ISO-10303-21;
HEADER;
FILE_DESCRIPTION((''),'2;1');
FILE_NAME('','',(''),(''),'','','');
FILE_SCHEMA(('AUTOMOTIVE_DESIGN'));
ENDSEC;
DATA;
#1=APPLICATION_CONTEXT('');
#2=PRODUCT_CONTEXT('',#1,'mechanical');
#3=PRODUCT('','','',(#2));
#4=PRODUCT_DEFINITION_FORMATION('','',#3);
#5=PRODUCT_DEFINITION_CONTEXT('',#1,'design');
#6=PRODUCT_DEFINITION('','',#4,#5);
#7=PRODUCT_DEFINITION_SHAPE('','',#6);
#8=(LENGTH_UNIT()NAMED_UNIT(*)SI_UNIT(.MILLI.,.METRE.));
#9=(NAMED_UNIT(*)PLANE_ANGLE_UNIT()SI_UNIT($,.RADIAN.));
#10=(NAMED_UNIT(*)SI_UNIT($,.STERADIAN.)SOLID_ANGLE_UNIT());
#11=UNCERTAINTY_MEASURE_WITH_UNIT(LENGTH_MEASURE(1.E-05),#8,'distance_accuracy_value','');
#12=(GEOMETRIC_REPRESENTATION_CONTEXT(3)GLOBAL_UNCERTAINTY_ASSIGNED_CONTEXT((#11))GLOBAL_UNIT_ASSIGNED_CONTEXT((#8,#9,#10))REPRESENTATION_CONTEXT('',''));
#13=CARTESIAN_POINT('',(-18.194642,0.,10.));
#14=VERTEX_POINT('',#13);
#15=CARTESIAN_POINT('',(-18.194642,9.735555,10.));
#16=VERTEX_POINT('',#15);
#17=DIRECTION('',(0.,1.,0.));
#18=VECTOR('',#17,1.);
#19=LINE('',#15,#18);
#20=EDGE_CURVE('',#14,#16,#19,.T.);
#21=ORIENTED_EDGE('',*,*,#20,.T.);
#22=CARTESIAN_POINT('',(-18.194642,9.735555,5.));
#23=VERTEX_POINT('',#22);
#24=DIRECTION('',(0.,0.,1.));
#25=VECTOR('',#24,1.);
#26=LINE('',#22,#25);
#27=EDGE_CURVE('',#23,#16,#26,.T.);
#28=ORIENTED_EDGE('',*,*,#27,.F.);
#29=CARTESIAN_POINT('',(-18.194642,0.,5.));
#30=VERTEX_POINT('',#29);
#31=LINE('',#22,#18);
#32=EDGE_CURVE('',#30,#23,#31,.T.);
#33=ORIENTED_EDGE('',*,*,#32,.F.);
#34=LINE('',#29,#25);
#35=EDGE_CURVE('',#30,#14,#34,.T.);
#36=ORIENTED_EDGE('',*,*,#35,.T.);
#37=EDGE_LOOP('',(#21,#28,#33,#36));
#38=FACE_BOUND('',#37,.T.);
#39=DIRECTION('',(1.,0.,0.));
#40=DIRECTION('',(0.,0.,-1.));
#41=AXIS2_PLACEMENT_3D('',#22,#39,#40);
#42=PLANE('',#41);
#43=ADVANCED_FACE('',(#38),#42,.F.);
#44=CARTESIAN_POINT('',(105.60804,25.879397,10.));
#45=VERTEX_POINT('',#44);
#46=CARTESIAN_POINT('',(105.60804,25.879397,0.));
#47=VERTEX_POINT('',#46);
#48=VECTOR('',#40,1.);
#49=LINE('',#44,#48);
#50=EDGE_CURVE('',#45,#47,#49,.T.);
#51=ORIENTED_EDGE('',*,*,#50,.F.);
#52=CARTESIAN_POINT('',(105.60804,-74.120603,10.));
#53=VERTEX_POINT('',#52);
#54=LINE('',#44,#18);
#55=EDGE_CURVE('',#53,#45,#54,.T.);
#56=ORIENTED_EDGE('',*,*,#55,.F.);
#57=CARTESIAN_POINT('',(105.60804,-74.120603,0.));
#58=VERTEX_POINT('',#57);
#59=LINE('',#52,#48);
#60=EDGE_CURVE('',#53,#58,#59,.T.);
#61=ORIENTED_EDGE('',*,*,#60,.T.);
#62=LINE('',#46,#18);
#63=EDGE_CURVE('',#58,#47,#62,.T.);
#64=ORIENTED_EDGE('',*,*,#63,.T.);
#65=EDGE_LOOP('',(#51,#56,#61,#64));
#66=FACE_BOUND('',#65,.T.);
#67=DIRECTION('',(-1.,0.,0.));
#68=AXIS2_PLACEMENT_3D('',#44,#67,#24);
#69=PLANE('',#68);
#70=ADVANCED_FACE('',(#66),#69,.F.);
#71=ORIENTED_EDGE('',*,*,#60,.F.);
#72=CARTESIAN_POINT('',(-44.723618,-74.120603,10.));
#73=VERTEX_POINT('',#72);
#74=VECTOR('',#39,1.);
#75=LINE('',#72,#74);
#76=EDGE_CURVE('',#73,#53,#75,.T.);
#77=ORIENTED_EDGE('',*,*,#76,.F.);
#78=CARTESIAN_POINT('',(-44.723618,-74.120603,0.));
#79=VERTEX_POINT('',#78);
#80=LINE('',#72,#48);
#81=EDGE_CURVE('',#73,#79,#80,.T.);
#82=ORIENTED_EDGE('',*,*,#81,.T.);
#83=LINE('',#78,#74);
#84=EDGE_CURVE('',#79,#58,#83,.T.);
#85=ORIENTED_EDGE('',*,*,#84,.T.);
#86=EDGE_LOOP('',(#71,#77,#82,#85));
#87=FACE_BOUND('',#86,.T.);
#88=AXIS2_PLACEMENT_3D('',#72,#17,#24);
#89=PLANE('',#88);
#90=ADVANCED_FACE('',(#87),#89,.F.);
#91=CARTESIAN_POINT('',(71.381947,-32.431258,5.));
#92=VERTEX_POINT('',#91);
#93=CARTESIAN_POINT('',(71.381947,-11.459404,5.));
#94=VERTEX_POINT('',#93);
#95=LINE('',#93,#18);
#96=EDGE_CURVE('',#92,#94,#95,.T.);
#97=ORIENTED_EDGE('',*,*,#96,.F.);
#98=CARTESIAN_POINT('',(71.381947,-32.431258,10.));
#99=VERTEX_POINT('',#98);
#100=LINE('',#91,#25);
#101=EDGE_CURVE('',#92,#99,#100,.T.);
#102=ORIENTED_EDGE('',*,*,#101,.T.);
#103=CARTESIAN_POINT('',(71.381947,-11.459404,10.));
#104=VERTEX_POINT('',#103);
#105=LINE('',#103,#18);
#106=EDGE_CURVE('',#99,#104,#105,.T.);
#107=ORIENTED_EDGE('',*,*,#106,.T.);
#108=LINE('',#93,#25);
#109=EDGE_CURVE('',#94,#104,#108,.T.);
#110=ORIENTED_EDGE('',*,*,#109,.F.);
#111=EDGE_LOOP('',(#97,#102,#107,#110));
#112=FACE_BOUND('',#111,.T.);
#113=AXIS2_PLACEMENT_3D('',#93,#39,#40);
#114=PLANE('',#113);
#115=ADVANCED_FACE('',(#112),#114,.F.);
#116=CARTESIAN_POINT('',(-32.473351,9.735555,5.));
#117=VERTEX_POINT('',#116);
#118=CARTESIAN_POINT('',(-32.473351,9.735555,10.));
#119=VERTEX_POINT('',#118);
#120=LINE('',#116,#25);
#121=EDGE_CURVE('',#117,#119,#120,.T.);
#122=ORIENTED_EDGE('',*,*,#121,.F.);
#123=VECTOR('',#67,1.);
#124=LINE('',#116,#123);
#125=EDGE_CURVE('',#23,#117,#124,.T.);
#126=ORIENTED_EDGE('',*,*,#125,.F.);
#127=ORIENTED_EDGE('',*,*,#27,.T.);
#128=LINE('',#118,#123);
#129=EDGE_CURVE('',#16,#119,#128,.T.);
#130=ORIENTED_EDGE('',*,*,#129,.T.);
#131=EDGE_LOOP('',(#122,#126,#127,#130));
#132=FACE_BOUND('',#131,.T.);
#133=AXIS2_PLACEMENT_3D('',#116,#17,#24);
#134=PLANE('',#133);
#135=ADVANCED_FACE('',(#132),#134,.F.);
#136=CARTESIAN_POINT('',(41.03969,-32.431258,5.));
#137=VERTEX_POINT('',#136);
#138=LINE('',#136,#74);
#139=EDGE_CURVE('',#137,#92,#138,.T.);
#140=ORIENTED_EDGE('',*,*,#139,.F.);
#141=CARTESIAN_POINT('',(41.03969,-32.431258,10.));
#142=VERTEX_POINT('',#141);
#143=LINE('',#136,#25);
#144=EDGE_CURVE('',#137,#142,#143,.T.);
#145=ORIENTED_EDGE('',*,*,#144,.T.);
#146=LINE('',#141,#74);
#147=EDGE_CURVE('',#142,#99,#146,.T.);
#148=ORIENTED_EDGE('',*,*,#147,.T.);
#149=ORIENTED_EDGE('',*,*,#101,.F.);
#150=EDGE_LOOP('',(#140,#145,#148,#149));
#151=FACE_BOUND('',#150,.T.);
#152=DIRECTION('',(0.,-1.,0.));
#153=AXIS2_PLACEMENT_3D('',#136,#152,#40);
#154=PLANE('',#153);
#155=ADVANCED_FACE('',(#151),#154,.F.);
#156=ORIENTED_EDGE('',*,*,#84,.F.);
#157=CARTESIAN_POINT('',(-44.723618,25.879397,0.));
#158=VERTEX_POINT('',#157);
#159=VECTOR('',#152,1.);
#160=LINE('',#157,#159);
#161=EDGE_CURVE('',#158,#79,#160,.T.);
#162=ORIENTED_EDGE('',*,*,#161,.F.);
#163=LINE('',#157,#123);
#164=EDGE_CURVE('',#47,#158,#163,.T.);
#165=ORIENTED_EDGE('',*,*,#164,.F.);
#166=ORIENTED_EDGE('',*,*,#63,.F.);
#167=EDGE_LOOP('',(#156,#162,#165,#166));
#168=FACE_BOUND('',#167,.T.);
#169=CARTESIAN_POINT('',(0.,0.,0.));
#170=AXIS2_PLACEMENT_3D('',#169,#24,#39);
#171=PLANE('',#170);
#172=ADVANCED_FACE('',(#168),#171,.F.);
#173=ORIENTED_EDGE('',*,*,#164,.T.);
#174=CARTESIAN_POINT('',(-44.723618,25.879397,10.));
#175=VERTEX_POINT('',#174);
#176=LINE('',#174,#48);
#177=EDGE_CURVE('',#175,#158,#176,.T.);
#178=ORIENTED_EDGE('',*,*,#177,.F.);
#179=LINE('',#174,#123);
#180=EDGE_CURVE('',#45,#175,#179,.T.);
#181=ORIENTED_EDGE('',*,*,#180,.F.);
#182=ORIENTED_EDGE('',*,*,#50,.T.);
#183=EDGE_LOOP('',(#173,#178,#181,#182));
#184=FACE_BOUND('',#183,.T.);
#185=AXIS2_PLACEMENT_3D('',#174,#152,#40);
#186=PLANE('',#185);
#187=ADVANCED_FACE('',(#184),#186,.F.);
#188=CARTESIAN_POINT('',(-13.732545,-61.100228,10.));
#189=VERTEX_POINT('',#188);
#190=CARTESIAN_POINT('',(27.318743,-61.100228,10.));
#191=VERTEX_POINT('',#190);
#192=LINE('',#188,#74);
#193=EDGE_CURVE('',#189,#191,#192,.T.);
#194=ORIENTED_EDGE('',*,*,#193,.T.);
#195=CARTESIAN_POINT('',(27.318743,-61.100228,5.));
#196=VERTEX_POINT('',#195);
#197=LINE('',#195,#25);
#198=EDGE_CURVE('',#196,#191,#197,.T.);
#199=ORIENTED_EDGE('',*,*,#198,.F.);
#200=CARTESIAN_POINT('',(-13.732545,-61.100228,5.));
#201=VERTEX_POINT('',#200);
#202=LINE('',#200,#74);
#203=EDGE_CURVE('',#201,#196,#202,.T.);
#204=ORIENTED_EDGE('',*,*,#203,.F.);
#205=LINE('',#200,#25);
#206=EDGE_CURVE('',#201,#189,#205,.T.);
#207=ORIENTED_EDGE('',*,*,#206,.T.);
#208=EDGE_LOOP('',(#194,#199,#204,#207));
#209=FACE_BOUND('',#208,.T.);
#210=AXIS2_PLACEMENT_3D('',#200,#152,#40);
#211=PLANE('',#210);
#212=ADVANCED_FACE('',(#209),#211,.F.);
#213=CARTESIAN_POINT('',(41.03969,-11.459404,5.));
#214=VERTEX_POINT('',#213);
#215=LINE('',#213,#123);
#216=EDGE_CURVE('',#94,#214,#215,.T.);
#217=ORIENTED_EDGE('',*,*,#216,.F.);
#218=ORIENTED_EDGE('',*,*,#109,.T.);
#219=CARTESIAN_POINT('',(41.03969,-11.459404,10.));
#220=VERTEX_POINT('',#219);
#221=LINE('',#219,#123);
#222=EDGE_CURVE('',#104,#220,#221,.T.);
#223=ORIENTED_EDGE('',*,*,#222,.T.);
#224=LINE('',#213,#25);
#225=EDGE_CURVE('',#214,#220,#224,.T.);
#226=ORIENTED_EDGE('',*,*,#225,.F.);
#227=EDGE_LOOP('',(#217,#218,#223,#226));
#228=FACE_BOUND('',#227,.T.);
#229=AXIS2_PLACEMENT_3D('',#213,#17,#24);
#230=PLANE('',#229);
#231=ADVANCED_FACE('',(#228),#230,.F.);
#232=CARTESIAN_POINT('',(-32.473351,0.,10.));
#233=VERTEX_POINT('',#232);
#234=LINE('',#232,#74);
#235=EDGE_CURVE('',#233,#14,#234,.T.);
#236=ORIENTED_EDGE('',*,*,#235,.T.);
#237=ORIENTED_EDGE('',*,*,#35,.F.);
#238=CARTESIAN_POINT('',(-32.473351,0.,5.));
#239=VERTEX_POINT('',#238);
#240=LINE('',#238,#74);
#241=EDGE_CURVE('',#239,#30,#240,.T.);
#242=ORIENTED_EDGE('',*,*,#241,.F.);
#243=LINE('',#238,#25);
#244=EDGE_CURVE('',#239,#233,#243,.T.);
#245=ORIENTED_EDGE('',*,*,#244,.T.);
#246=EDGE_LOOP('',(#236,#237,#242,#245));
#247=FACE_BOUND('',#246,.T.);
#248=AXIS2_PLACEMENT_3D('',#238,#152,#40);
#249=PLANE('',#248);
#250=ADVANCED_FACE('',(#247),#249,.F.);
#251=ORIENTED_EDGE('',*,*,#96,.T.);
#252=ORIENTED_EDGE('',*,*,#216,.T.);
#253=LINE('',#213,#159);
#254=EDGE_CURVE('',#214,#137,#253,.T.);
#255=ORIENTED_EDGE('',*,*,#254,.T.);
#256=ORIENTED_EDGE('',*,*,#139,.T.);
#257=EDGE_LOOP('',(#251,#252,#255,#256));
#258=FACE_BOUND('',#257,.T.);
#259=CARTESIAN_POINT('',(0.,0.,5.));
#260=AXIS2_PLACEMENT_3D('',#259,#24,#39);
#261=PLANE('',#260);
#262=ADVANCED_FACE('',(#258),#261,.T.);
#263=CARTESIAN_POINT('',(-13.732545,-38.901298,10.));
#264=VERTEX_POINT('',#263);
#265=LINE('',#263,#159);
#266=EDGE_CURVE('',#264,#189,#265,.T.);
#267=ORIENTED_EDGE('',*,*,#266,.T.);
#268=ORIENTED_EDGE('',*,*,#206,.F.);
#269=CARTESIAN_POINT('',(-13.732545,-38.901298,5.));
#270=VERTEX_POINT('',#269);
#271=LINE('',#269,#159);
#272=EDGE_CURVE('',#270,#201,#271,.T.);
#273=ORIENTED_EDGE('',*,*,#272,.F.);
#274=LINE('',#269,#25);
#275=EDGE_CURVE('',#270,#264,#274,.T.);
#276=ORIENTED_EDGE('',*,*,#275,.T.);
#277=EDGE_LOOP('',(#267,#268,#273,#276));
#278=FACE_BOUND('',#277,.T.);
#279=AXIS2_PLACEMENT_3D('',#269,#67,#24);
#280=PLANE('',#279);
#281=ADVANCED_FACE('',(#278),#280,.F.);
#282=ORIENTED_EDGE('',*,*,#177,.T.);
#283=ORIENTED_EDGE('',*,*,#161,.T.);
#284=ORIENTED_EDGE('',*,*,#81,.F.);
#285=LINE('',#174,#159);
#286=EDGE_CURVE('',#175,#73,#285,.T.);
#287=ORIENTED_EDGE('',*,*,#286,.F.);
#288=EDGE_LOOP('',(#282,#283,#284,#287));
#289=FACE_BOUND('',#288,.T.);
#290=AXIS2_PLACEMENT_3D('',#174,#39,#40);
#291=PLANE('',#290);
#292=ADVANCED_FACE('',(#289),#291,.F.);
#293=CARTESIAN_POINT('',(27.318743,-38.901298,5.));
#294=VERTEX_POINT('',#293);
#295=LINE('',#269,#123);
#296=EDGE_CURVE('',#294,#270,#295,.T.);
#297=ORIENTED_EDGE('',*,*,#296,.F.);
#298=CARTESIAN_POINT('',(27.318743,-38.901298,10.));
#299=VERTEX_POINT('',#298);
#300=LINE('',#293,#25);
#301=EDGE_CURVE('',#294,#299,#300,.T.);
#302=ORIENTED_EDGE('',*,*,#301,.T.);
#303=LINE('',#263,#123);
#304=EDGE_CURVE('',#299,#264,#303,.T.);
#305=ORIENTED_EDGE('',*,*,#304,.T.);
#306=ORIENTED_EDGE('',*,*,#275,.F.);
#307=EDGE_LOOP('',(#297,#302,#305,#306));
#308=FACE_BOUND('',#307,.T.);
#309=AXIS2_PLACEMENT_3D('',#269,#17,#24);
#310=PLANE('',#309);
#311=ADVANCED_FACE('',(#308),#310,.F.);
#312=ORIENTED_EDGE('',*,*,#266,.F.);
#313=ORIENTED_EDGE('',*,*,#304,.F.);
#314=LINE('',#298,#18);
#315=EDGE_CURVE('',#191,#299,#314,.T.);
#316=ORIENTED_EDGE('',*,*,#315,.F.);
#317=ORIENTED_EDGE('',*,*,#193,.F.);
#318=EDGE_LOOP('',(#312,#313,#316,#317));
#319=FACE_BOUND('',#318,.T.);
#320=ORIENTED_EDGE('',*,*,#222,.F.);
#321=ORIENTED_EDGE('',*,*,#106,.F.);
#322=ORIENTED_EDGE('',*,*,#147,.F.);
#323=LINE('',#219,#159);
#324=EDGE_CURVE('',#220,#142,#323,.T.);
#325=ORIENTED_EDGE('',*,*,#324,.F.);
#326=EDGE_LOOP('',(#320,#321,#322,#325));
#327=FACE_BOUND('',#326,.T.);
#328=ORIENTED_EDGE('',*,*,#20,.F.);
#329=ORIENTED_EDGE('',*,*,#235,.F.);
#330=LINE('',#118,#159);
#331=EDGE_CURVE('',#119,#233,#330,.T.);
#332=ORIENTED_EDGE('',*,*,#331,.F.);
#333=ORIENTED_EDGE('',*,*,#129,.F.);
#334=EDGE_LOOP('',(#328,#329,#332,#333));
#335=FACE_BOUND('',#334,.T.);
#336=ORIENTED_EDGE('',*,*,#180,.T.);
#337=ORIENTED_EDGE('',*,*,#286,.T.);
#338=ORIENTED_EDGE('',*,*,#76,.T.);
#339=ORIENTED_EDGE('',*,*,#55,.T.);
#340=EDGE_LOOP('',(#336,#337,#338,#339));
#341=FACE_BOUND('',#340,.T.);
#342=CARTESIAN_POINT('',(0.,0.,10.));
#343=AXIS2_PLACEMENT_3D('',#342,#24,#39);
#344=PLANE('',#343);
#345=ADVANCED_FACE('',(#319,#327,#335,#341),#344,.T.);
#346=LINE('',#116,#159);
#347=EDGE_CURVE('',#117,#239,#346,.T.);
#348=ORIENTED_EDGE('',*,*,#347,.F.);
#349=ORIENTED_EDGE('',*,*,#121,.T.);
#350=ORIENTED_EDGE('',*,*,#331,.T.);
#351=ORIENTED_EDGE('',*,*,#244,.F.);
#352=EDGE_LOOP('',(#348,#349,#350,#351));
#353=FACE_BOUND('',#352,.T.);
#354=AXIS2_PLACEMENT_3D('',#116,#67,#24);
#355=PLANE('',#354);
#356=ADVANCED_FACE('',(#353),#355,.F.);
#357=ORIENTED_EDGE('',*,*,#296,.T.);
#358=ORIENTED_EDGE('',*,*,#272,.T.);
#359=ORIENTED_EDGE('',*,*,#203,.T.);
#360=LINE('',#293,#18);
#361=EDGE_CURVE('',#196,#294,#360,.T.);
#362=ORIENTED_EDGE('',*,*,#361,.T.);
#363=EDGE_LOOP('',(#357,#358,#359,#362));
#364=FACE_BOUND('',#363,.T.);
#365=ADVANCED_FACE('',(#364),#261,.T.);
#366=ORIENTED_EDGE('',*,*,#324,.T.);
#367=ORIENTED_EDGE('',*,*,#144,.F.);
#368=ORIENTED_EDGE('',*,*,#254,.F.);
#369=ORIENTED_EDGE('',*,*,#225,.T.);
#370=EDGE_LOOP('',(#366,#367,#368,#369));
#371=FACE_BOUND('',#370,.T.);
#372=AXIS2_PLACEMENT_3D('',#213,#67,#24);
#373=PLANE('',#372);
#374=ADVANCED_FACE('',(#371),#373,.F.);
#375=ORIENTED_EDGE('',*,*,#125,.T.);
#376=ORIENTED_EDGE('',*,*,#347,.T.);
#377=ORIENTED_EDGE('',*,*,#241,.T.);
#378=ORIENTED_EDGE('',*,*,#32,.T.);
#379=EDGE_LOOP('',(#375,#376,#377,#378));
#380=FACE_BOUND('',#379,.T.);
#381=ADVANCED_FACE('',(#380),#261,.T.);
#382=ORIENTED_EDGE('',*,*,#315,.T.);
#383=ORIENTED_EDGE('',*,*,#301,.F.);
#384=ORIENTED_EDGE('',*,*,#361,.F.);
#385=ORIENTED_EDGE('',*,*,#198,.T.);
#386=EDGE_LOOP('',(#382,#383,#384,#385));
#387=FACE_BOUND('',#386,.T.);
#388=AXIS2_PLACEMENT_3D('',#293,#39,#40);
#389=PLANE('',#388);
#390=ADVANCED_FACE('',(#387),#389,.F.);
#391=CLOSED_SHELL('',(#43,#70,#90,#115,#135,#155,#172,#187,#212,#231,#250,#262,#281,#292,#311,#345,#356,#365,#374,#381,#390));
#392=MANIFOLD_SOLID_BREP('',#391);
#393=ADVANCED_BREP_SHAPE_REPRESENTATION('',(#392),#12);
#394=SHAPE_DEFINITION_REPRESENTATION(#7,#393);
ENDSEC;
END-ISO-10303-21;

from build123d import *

# Parameters (mm, degrees)
SKETCH1_W           = 150.33165829
SKETCH1_H           = 100
BOSS_EXTRUDE1_DEPTH = 10
SKETCH2_W           = 14.278709015
SKETCH2_H           = 9.735554689
SKETCH2_W_2         = 30.342256657
SKETCH2_H_2         = 20.971853865
SKETCH2_W_3         = 41.051288419
SKETCH2_H_3         = 22.198930422
CUT_EXTRUDE1_DEPTH  = 5


with BuildPart() as part:
    # Sketch1 → Boss-Extrude1 (new body)
    with BuildSketch(Plane.XY):
        with Locations((30.442211055, -24.120603015)):
            Rectangle(SKETCH1_W, SKETCH1_H)
    extrude(amount=BOSS_EXTRUDE1_DEPTH)

    # Sketch2 → Cut-Extrude1 (cut)
    with BuildSketch(Plane.XY.offset(10)):
        with Locations((-25.333996036, 4.867777345)):
            Rectangle(SKETCH2_W, SKETCH2_H)
        with Locations((56.210818731, -21.945330938)):
            Rectangle(SKETCH2_W_2, SKETCH2_H_2)
        with Locations((6.793099248, -50.000763105)):
            Rectangle(SKETCH2_W_3, SKETCH2_H_3)
    extrude(amount=-CUT_EXTRUDE1_DEPTH, mode=Mode.SUBTRACT)


solid = part.part
